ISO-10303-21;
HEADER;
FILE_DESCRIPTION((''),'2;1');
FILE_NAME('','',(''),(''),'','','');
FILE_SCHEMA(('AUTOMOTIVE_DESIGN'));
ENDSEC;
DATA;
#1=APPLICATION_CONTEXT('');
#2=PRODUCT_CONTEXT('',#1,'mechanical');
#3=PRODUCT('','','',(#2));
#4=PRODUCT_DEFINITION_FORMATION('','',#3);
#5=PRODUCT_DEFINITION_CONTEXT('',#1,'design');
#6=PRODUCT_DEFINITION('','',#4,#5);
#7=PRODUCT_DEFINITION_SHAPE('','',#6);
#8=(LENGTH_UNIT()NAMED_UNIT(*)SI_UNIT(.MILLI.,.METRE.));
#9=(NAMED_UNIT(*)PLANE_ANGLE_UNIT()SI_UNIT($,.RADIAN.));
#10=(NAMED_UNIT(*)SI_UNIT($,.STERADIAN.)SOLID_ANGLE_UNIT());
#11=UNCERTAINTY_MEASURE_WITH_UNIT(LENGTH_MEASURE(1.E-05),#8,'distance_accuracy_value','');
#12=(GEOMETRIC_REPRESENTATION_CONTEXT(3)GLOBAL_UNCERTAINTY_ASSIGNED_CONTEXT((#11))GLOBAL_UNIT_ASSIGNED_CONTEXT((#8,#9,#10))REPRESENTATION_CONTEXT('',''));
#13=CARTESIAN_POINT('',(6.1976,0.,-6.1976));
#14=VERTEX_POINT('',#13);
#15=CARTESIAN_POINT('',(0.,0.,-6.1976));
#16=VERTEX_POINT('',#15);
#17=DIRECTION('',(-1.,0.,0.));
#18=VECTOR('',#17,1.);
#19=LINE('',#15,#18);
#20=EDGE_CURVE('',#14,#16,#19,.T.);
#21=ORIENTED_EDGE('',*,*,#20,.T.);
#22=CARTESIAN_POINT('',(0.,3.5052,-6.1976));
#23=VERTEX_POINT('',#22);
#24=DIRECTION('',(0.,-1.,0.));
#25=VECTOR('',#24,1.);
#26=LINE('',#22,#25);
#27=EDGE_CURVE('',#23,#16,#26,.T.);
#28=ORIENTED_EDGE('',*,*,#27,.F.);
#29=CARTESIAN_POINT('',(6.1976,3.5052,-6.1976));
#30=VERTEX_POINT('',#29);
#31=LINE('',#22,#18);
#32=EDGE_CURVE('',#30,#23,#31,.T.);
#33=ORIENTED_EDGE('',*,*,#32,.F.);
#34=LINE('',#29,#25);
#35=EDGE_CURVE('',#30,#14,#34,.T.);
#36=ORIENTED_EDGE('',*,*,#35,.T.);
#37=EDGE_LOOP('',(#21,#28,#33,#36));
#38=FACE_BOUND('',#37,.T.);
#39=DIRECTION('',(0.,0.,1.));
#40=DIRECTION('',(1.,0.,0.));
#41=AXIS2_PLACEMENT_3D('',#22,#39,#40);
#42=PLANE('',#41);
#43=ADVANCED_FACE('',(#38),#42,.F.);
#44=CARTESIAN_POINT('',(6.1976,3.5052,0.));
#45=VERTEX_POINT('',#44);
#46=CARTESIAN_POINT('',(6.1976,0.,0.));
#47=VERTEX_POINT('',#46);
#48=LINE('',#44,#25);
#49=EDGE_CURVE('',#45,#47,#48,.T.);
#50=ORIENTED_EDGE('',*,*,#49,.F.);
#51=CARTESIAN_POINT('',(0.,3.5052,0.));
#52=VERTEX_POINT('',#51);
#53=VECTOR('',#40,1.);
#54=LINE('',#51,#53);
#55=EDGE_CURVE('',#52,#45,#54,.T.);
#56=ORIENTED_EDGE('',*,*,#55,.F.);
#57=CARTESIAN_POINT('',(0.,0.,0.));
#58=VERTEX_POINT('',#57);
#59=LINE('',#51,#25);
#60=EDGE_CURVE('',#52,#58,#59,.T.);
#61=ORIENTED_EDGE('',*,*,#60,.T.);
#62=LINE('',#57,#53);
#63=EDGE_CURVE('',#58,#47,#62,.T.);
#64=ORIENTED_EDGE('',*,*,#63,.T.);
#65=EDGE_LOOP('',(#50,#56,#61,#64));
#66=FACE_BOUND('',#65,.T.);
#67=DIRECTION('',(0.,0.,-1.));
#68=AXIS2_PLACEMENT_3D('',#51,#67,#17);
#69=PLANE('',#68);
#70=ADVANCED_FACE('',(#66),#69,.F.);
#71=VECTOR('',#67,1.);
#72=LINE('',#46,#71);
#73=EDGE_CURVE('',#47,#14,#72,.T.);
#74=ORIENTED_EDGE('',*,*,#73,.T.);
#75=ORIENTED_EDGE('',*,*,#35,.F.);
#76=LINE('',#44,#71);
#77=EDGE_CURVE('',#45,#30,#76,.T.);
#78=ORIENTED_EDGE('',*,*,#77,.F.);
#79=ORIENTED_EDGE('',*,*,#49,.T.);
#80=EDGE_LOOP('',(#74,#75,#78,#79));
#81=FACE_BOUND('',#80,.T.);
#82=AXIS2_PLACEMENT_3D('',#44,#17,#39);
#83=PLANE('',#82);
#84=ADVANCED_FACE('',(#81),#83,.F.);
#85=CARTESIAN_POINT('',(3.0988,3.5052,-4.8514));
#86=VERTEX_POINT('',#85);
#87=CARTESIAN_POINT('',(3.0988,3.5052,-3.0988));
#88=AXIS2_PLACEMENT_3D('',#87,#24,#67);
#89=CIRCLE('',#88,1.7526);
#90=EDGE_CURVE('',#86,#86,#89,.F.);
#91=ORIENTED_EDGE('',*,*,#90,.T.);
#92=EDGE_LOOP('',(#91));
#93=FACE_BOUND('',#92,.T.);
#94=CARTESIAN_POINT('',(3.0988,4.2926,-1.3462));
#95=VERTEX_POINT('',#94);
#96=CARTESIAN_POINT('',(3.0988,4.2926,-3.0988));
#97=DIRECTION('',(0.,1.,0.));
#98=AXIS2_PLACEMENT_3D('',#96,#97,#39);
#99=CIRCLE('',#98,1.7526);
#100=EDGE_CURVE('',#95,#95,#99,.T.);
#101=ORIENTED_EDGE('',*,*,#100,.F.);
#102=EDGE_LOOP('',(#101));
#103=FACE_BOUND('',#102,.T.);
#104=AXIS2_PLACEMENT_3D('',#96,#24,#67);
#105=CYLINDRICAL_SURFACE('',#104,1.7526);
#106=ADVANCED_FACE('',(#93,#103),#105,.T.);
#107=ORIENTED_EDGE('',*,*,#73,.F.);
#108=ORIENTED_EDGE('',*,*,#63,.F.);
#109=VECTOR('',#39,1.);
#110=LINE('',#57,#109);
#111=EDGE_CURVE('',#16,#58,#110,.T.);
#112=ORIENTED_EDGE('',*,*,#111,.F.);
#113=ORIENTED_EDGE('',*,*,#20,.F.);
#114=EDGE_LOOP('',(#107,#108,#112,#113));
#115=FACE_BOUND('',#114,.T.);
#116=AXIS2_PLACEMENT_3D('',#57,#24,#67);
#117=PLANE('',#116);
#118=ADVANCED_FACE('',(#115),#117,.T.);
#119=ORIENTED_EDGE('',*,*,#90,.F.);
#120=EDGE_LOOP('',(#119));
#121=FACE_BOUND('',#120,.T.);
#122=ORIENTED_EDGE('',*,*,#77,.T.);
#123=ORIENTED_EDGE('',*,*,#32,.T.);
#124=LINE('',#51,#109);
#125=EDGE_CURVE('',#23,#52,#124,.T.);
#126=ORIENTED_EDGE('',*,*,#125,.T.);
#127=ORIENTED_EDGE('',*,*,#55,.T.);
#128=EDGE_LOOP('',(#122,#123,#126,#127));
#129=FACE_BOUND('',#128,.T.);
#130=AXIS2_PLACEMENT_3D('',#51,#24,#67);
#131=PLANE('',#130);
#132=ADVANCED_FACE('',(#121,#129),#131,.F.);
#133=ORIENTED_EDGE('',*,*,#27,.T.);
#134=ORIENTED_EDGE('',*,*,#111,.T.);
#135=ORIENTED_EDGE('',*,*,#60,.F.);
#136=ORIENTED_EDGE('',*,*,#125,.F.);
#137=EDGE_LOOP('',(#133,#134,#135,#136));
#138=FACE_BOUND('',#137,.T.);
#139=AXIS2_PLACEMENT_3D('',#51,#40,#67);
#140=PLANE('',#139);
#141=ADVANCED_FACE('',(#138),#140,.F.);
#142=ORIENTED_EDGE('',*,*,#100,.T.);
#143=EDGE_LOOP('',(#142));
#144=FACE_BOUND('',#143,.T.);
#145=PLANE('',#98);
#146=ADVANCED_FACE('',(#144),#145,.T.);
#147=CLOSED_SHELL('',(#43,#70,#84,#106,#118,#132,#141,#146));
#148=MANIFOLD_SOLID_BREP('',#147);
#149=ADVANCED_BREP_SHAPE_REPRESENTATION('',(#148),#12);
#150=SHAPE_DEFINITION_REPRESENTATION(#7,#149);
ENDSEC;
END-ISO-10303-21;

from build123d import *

# Parameters (mm, degrees)
SKETCH1_W           = 6.1976
SKETCH1_H           = 6.1976
BOSS_EXTRUDE1_DEPTH = 3.5052
SKETCH2_R           = 1.7526
BOSS_EXTRUDE2_DEPTH = 0.7874


with BuildPart() as part:
    # Sketch1 → Boss-Extrude1 (new body)
    with BuildSketch(Plane(origin=(0, 0, 0), x_dir=(1, 0, 0), z_dir=(0, 1, 0))):
        with Locations((3.0988, 3.0988)):
            Rectangle(SKETCH1_W, SKETCH1_H)
    extrude(amount=BOSS_EXTRUDE1_DEPTH)

    # Sketch2 → Boss-Extrude2 (add)
    with BuildSketch(Plane(origin=(0, 3.5052, 0), x_dir=(1, 0, 0), z_dir=(0, 1, 0))):
        with Locations(Location((3.0988, 3.0988, 0), (0, 0, 90))):
            Circle(SKETCH2_R)
    extrude(amount=BOSS_EXTRUDE2_DEPTH)


solid = part.part
